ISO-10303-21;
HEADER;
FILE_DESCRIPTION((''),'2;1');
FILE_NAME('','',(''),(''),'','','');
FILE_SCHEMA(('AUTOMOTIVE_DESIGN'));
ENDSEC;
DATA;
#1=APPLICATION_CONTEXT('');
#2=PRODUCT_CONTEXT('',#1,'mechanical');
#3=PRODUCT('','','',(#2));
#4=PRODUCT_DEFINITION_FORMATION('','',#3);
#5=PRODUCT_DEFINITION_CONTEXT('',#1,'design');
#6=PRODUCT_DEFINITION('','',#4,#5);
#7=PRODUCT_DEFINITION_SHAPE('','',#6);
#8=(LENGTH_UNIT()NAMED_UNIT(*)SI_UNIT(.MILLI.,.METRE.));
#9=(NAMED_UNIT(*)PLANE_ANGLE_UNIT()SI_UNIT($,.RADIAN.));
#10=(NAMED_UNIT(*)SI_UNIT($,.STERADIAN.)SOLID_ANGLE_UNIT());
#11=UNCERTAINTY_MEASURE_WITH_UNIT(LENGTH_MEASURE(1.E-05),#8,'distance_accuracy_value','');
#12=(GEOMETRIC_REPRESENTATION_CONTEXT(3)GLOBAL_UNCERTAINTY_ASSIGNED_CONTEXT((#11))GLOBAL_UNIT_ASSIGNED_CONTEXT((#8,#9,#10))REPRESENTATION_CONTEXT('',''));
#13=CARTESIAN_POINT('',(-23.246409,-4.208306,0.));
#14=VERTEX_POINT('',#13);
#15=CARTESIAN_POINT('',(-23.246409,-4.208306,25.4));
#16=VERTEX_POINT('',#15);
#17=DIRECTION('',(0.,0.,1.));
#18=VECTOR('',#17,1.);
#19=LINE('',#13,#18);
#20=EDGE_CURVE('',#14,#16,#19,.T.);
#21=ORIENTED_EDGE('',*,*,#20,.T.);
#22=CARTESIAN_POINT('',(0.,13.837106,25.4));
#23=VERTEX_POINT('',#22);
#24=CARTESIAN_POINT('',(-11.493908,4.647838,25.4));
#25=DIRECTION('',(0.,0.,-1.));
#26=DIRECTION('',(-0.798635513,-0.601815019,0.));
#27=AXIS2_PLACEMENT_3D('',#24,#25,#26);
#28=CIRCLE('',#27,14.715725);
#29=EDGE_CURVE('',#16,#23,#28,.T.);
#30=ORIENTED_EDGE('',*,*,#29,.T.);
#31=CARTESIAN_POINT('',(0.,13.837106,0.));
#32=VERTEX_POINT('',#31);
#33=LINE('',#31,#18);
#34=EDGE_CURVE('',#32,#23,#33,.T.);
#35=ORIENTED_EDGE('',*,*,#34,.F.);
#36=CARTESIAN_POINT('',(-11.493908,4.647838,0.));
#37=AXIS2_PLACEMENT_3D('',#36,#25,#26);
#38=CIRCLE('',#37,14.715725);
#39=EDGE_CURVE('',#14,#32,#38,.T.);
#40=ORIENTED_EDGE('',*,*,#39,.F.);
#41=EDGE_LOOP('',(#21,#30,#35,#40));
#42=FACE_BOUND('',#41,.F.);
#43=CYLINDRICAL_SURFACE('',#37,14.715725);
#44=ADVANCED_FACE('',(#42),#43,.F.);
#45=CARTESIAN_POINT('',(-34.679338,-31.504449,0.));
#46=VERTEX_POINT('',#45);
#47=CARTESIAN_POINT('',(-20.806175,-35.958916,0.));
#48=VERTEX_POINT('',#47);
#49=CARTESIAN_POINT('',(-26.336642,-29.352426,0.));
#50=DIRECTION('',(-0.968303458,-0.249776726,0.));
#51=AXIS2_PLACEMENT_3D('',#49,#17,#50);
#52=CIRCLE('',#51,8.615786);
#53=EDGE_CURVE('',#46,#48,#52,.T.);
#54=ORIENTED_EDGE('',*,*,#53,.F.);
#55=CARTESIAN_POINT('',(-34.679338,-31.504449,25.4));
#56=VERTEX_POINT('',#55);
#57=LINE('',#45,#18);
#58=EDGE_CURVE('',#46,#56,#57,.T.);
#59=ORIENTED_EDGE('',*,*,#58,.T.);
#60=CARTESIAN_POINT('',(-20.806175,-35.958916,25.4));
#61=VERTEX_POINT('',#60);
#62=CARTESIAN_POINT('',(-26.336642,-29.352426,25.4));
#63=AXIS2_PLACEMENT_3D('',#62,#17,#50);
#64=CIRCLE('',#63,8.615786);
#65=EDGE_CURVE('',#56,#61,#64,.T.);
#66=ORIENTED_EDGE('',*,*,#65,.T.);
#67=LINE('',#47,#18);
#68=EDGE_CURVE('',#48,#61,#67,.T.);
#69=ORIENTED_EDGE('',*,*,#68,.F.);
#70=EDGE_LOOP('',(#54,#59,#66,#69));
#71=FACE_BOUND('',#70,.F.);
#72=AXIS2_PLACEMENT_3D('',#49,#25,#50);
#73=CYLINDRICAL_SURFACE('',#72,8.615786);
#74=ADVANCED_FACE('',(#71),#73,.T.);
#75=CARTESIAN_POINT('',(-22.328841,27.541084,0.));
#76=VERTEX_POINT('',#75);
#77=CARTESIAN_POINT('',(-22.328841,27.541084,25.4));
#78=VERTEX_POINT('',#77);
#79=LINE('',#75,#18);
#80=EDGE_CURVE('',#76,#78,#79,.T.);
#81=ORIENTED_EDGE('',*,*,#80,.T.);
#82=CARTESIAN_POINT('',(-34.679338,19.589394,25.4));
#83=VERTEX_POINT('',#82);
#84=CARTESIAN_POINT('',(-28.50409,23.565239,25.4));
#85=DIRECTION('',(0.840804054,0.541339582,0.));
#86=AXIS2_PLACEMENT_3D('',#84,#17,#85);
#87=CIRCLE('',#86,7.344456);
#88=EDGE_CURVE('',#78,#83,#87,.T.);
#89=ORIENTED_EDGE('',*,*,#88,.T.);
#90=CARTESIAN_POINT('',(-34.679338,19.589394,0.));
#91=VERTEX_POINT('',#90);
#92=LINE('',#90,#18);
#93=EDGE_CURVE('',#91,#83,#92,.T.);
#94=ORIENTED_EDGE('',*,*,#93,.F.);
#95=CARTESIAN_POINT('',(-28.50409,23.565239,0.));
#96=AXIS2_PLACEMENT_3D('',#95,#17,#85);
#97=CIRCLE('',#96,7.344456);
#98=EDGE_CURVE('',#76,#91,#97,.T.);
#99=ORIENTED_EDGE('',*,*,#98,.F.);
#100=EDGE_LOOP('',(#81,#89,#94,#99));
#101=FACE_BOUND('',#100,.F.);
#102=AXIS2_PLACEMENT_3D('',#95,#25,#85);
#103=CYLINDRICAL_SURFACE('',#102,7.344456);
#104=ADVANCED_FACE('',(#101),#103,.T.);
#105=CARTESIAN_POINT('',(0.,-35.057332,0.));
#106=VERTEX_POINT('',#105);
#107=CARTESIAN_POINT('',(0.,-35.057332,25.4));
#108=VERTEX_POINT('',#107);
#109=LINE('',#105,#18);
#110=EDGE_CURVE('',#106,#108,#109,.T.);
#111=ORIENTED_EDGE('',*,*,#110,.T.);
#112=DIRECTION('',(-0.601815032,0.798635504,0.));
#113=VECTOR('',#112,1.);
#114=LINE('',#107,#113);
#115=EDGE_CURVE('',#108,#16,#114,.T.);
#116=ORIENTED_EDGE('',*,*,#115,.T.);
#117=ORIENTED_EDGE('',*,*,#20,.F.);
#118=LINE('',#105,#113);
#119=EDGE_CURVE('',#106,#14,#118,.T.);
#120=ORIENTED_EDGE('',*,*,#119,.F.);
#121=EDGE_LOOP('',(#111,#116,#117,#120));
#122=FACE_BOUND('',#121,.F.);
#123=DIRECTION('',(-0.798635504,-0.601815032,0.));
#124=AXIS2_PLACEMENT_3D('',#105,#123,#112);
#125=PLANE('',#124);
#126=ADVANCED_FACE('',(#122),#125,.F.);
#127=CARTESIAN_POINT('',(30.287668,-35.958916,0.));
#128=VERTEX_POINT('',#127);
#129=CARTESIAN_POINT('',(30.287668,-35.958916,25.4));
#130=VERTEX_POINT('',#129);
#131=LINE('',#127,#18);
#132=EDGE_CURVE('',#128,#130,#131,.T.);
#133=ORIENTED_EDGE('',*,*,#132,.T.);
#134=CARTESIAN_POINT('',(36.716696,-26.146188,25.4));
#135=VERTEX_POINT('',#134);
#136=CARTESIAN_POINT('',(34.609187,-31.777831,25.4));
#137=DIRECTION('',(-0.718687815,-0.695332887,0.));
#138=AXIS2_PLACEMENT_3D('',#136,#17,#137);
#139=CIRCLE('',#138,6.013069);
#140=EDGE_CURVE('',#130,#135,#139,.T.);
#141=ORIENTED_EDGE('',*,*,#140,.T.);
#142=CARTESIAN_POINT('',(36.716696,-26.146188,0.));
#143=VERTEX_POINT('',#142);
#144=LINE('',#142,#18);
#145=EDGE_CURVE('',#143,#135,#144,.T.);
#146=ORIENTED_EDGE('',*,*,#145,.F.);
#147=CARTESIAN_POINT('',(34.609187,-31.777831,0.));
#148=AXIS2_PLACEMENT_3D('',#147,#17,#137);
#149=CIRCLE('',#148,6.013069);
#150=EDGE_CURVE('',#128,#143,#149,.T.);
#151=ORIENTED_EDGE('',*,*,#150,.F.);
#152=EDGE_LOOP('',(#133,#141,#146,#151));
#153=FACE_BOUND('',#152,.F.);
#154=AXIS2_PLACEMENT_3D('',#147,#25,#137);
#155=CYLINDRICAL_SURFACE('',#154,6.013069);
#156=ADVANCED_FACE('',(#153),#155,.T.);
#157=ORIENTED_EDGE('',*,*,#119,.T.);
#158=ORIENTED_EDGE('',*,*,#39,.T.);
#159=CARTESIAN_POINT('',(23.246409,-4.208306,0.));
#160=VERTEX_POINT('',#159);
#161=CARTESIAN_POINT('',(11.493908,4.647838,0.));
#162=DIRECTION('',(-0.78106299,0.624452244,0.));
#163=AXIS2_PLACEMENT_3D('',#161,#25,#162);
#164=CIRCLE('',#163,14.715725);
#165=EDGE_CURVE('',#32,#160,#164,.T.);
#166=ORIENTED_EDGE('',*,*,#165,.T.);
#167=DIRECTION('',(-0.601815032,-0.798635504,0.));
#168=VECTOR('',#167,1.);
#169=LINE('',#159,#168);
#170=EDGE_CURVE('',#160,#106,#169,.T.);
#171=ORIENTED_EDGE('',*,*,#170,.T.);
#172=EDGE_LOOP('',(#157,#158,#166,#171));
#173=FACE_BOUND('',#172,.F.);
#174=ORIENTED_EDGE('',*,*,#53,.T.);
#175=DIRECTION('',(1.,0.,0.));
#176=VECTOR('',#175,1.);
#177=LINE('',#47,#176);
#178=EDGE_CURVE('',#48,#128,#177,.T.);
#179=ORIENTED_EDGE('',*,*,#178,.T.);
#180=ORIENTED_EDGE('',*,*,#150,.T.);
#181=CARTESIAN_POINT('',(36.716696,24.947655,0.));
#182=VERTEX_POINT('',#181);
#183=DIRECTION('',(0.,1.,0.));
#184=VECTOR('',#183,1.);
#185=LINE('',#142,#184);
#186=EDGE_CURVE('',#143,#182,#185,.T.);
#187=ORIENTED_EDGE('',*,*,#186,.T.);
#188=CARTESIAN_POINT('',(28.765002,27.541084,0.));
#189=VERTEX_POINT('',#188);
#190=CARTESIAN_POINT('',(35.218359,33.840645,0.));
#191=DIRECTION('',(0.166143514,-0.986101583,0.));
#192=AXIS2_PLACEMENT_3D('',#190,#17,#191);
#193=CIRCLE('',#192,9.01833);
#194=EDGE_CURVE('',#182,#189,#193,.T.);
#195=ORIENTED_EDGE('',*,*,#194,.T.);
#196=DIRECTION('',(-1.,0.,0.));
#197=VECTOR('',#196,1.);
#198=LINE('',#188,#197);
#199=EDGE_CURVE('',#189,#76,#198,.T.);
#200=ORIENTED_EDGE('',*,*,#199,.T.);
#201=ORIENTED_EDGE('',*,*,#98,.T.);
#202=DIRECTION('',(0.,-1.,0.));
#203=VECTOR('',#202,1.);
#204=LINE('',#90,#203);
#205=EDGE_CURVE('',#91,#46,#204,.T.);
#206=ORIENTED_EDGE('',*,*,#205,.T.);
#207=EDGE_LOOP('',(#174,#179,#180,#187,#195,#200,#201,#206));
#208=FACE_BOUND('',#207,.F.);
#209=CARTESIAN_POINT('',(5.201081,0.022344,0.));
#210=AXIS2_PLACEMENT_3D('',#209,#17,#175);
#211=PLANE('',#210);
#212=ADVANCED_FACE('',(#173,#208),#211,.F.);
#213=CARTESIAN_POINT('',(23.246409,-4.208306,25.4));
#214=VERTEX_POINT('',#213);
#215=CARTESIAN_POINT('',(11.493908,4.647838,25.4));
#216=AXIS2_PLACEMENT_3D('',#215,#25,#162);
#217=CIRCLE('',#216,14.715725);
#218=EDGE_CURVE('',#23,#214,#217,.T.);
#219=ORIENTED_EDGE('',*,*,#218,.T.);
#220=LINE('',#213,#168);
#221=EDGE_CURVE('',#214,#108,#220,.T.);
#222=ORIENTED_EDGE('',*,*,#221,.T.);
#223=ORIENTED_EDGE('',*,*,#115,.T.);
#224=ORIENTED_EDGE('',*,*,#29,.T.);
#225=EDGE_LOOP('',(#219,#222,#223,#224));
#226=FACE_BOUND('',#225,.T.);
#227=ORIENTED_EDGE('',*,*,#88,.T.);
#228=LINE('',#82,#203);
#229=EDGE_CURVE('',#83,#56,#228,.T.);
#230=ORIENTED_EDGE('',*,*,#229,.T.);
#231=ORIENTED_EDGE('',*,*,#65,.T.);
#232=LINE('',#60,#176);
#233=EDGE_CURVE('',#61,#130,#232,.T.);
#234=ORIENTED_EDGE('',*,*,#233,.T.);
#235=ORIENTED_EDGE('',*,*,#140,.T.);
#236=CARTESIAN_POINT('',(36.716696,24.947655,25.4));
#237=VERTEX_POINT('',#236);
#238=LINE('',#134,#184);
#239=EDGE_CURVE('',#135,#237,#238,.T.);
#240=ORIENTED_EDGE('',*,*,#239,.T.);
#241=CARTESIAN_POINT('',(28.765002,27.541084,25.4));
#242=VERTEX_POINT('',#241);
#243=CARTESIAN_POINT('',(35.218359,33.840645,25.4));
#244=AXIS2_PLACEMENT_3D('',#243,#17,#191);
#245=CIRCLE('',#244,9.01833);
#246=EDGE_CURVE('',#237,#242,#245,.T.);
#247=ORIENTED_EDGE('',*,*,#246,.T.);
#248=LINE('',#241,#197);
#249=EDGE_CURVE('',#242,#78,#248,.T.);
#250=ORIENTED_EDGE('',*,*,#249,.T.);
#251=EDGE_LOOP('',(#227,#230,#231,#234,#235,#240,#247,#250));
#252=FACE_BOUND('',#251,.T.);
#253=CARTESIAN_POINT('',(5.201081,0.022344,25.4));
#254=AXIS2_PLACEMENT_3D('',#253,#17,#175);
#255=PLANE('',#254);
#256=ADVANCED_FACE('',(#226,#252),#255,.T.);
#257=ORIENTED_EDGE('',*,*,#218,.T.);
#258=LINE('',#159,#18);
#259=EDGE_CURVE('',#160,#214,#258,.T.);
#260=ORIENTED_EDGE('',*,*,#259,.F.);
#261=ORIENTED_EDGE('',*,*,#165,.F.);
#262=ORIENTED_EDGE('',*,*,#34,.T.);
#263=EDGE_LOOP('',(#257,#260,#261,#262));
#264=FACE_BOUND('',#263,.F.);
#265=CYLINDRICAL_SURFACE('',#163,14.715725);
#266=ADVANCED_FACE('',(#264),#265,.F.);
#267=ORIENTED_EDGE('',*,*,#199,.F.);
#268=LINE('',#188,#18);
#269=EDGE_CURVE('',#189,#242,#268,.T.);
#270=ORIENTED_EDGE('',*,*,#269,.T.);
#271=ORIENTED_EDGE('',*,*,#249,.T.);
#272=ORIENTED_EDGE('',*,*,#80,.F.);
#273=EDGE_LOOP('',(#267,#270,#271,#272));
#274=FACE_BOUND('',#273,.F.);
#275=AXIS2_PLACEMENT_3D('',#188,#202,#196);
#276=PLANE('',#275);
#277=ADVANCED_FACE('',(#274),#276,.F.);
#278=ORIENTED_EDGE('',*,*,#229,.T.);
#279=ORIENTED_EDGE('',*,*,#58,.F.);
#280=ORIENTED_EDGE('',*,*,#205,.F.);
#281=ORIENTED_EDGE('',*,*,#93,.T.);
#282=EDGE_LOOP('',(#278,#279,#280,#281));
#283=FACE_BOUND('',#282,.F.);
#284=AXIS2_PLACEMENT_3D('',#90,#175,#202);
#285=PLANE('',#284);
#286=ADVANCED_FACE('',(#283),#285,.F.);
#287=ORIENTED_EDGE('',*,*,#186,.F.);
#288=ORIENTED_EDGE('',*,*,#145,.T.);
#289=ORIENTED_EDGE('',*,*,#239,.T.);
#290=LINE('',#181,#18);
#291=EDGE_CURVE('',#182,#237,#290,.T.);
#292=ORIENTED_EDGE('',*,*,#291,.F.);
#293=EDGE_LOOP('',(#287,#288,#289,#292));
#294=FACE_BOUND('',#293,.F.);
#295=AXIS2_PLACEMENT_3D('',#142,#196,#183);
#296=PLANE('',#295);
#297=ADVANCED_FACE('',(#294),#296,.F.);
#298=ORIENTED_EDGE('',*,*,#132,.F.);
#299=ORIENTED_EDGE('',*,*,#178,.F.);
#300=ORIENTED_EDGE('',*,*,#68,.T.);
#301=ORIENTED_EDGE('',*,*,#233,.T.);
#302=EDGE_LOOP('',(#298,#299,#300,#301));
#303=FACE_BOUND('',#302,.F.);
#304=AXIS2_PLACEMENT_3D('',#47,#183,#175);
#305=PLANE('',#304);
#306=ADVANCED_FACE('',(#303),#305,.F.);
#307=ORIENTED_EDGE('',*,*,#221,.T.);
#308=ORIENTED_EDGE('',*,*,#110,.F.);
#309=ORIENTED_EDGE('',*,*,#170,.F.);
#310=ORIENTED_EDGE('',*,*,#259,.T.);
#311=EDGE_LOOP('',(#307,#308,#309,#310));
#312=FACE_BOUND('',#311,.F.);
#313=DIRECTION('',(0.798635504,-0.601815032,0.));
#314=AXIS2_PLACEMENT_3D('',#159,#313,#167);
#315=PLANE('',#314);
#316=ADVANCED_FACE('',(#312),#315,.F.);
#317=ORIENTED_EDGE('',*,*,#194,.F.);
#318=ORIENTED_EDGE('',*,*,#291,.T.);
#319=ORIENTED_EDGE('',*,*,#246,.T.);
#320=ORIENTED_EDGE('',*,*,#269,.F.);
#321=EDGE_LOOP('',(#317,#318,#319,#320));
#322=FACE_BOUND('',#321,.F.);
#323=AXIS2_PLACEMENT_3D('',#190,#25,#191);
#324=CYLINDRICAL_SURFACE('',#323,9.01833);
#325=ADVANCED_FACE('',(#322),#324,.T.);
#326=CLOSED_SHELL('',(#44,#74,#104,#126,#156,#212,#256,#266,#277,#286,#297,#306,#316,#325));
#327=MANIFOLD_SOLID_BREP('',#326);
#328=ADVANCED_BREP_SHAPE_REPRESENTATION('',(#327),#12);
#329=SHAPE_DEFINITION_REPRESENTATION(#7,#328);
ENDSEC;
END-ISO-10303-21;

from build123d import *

# Parameters (mm, degrees)
F1_DEPTH = 25.4


with BuildPart() as f1:
    # F0 (on Top) → F1 (new body)
    with BuildSketch(Plane.XY):
        with BuildLine():
            Line((28.765002, 27.541084), (-22.328841, 27.541084))
            ThreePointArc((-22.328841, 27.541084), (-32.479934, 29.740488), (-34.679338, 19.589394))
            Line((-34.679338, 19.589394), (-34.679338, -31.504449))
            ThreePointArc((-34.679338, -31.504449), (-28.970599, -37.555721), (-20.806175, -35.958916))
            Line((-20.806175, -35.958916), (30.287668, -35.958916))
            ThreePointArc((30.287668, -35.958916), (39.638886, -35.073151), (36.716696, -26.146188))
            Line((36.716696, -26.146188), (36.716696, 24.947655))
            ThreePointArc((36.716696, 24.947655), (38.014701, 42.414486), (28.765002, 27.541084))
        make_face()
        with BuildLine():
            Line((23.246409, -4.208306), (0, -35.057332))
            Line((0, -35.057332), (-23.246409, -4.208306))
            ThreePointArc((-23.246409, -4.208306), (-20.517541, 16.272236), (0, 13.837106))
            ThreePointArc((0, 13.837106), (20.517541, 16.272236), (23.246409, -4.208306))
        make_face(mode=Mode.SUBTRACT)
    extrude(amount=F1_DEPTH)


solid = f1.part
